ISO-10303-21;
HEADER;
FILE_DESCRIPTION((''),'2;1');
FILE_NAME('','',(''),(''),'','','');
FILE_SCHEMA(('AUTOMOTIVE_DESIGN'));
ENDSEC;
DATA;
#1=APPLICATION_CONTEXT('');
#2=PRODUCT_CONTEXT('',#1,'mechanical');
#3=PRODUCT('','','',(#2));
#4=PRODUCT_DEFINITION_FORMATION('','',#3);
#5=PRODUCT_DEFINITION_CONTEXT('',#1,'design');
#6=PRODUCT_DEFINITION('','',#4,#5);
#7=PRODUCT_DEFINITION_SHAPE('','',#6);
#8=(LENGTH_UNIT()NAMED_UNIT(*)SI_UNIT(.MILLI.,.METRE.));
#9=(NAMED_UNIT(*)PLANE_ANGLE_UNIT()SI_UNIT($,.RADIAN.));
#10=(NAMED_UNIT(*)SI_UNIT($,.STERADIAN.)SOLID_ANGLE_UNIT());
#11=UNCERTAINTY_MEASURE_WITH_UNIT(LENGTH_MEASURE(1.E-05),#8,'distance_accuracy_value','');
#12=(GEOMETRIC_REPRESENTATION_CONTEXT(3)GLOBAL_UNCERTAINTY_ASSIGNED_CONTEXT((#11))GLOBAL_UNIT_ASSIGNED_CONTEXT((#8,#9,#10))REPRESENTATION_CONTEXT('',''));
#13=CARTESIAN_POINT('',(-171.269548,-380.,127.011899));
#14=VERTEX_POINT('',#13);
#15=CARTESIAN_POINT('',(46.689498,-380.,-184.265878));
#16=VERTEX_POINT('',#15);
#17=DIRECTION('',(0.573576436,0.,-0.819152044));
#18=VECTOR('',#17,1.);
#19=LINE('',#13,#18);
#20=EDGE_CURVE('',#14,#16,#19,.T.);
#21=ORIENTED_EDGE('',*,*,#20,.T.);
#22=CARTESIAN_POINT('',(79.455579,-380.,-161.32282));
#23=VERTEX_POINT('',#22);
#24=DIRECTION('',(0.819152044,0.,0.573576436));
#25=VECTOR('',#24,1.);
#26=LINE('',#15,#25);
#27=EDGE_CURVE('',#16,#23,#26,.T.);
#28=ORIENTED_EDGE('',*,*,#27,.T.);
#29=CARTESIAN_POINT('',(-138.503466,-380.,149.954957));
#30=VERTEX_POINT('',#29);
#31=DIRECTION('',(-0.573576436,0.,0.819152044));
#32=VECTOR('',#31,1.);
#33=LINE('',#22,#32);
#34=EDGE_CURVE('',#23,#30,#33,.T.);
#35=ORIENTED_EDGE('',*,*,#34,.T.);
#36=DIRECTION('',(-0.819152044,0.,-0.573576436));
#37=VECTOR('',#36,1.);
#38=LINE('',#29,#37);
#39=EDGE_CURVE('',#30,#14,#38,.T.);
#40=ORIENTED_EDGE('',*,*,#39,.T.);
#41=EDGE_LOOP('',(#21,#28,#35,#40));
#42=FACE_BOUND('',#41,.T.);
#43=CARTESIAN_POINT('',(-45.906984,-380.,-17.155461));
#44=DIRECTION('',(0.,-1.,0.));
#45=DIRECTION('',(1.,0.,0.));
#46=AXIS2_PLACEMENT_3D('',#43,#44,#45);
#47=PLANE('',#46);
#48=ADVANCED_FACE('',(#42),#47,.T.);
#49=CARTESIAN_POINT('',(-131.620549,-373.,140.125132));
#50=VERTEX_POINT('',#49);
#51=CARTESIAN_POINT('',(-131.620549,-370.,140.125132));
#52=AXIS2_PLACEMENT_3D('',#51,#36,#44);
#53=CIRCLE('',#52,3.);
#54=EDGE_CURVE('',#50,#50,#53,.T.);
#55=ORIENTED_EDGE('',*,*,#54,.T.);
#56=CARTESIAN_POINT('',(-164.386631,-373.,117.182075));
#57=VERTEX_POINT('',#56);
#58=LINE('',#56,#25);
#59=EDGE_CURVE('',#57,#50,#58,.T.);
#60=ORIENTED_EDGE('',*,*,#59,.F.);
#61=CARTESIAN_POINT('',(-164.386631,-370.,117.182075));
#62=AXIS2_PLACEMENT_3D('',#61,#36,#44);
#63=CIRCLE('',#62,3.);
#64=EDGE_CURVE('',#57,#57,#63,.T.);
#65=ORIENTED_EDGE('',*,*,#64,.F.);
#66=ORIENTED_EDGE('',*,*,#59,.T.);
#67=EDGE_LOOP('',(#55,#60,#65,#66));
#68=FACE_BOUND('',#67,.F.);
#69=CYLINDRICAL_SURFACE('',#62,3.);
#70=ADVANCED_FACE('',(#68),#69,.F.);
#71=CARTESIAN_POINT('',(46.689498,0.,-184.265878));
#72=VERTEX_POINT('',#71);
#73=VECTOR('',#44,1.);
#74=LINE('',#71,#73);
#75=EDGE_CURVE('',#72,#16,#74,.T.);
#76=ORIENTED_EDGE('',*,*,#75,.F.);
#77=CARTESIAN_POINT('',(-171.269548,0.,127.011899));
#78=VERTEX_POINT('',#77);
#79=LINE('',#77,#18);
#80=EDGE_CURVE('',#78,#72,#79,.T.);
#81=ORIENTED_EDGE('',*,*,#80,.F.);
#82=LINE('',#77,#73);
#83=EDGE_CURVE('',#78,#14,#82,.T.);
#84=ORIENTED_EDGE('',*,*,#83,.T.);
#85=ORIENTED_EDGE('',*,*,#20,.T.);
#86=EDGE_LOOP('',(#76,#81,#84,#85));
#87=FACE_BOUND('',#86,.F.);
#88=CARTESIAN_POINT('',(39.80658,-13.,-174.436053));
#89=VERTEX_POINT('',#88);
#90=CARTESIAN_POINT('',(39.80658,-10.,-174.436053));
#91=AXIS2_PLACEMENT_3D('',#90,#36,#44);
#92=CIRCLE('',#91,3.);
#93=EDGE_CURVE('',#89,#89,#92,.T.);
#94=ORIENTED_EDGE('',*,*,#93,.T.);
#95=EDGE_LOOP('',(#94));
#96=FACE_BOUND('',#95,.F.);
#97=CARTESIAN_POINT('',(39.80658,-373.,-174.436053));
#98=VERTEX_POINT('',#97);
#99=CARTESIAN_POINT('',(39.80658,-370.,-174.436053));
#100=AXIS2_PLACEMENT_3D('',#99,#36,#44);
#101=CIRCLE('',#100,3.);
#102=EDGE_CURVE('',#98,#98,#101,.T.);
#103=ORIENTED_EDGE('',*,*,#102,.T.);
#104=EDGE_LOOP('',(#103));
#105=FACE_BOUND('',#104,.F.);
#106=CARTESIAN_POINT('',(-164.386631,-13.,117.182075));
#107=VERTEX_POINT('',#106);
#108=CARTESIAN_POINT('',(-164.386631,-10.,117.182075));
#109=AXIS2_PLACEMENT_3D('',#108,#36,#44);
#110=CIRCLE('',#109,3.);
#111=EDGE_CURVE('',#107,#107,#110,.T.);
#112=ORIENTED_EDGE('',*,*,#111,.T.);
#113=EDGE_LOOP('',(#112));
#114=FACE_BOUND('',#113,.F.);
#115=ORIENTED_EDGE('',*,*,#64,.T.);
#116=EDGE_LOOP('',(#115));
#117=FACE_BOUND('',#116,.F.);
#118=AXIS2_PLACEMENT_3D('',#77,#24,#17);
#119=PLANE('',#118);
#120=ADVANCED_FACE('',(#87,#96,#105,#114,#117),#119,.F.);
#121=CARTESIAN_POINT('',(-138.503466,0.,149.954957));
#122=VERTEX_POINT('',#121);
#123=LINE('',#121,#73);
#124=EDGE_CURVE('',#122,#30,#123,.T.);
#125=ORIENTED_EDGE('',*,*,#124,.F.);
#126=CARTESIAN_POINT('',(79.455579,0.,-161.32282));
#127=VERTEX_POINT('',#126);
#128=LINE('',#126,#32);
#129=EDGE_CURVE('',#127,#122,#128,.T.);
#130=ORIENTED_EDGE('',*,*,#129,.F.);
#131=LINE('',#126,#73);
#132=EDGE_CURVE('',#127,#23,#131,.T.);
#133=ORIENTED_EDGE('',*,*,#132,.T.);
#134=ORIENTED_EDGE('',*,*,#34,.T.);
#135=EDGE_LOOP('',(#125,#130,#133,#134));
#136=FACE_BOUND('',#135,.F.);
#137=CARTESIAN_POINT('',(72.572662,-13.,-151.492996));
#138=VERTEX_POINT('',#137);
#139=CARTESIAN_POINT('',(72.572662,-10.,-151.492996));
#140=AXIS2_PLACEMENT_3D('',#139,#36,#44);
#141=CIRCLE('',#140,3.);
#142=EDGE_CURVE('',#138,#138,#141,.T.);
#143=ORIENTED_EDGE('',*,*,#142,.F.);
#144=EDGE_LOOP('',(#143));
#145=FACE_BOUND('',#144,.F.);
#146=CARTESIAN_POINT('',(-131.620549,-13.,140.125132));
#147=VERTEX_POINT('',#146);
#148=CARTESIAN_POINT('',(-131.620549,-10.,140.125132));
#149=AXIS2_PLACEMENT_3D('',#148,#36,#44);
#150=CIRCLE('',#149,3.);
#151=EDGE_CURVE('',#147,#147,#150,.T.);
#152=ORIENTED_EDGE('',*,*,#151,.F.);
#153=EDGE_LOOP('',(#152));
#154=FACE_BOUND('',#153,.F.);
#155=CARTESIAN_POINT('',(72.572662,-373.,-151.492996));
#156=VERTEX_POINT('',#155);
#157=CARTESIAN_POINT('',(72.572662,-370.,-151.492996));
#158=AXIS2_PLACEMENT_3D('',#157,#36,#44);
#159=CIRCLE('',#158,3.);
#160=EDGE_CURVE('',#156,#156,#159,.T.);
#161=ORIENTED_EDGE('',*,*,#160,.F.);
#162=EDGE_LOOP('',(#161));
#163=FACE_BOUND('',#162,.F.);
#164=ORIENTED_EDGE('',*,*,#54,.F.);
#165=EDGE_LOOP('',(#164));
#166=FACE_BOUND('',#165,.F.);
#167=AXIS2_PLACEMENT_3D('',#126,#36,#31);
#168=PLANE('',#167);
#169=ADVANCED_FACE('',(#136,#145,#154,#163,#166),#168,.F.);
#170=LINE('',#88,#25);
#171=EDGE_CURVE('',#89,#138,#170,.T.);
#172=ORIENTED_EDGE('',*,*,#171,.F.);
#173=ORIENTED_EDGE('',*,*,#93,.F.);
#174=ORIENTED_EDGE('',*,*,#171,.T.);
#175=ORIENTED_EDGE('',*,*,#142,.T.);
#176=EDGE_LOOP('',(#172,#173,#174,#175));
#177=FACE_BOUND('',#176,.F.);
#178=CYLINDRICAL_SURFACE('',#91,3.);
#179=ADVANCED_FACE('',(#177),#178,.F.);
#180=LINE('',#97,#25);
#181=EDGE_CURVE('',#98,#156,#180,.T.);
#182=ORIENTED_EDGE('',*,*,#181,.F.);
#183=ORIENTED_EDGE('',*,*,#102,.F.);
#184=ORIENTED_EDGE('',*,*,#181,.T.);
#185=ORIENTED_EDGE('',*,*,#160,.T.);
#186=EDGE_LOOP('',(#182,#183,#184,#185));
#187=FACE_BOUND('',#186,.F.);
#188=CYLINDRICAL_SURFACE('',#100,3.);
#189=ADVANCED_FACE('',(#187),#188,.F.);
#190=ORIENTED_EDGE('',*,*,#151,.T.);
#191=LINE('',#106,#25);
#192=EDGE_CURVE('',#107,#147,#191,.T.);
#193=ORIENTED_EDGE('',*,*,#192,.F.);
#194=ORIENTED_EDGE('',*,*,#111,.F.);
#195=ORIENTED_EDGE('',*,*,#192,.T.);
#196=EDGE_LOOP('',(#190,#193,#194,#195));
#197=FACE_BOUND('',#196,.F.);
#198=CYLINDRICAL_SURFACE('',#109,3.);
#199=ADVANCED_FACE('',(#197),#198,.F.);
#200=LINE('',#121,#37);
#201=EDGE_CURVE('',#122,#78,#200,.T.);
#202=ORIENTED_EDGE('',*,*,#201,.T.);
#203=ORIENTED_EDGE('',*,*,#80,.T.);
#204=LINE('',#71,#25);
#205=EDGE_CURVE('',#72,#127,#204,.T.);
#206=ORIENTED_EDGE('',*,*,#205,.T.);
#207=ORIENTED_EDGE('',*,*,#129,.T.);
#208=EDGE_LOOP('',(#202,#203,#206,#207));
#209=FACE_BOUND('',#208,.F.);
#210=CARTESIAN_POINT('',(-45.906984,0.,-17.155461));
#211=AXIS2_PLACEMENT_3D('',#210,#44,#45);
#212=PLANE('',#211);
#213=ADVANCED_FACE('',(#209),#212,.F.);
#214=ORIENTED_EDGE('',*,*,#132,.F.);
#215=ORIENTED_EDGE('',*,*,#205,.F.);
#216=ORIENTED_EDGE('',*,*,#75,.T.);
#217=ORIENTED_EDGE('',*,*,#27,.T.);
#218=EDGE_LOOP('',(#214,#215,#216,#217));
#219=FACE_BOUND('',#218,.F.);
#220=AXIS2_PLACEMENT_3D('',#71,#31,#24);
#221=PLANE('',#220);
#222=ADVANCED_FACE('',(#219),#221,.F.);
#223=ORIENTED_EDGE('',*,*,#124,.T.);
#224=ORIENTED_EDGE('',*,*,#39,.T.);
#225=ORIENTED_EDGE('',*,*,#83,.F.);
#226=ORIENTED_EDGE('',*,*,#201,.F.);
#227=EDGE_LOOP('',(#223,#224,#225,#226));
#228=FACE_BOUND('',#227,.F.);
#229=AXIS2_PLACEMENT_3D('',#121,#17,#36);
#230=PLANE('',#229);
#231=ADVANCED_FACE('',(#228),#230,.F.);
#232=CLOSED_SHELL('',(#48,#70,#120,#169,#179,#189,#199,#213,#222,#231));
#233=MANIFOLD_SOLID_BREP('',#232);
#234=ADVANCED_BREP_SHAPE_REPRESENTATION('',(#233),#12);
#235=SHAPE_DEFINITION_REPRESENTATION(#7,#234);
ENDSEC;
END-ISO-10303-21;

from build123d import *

# Parameters (mm, degrees)
F1_DEPTH = 380
F2_R     = 3
F3_DEPTH = 40


with BuildPart() as f1:
    # F0 (on Front) → F1 (new body)
    with BuildSketch(Plane.XZ):
        Polygon((79.4555794589, -161.3228202568), (-138.5034663545, 149.954956573), (-171.269548126, 127.011899119), (46.6894976874, -184.2658777108), align=None)
    extrude(amount=F1_DEPTH)

    # F2 (on face) → F3 (cut, through all)
    with BuildSketch(Plane(origin=(-55.2475195846, 0, -38.6847296806), x_dir=(0, -1, 0), z_dir=(-0.8191520443, 0, -0.5735764364))):
        with Locations((370, 190.2782338819)):
            Circle(F2_R)
        with Locations((370, -165.7217661181)):
            Circle(F2_R)
        with Locations((10, -165.7217661181)):
            Circle(F2_R)
        with Locations((10, 190.2782338819)):
            Circle(F2_R)
    extrude(amount=-F3_DEPTH, mode=Mode.SUBTRACT)


solid = f1.part
